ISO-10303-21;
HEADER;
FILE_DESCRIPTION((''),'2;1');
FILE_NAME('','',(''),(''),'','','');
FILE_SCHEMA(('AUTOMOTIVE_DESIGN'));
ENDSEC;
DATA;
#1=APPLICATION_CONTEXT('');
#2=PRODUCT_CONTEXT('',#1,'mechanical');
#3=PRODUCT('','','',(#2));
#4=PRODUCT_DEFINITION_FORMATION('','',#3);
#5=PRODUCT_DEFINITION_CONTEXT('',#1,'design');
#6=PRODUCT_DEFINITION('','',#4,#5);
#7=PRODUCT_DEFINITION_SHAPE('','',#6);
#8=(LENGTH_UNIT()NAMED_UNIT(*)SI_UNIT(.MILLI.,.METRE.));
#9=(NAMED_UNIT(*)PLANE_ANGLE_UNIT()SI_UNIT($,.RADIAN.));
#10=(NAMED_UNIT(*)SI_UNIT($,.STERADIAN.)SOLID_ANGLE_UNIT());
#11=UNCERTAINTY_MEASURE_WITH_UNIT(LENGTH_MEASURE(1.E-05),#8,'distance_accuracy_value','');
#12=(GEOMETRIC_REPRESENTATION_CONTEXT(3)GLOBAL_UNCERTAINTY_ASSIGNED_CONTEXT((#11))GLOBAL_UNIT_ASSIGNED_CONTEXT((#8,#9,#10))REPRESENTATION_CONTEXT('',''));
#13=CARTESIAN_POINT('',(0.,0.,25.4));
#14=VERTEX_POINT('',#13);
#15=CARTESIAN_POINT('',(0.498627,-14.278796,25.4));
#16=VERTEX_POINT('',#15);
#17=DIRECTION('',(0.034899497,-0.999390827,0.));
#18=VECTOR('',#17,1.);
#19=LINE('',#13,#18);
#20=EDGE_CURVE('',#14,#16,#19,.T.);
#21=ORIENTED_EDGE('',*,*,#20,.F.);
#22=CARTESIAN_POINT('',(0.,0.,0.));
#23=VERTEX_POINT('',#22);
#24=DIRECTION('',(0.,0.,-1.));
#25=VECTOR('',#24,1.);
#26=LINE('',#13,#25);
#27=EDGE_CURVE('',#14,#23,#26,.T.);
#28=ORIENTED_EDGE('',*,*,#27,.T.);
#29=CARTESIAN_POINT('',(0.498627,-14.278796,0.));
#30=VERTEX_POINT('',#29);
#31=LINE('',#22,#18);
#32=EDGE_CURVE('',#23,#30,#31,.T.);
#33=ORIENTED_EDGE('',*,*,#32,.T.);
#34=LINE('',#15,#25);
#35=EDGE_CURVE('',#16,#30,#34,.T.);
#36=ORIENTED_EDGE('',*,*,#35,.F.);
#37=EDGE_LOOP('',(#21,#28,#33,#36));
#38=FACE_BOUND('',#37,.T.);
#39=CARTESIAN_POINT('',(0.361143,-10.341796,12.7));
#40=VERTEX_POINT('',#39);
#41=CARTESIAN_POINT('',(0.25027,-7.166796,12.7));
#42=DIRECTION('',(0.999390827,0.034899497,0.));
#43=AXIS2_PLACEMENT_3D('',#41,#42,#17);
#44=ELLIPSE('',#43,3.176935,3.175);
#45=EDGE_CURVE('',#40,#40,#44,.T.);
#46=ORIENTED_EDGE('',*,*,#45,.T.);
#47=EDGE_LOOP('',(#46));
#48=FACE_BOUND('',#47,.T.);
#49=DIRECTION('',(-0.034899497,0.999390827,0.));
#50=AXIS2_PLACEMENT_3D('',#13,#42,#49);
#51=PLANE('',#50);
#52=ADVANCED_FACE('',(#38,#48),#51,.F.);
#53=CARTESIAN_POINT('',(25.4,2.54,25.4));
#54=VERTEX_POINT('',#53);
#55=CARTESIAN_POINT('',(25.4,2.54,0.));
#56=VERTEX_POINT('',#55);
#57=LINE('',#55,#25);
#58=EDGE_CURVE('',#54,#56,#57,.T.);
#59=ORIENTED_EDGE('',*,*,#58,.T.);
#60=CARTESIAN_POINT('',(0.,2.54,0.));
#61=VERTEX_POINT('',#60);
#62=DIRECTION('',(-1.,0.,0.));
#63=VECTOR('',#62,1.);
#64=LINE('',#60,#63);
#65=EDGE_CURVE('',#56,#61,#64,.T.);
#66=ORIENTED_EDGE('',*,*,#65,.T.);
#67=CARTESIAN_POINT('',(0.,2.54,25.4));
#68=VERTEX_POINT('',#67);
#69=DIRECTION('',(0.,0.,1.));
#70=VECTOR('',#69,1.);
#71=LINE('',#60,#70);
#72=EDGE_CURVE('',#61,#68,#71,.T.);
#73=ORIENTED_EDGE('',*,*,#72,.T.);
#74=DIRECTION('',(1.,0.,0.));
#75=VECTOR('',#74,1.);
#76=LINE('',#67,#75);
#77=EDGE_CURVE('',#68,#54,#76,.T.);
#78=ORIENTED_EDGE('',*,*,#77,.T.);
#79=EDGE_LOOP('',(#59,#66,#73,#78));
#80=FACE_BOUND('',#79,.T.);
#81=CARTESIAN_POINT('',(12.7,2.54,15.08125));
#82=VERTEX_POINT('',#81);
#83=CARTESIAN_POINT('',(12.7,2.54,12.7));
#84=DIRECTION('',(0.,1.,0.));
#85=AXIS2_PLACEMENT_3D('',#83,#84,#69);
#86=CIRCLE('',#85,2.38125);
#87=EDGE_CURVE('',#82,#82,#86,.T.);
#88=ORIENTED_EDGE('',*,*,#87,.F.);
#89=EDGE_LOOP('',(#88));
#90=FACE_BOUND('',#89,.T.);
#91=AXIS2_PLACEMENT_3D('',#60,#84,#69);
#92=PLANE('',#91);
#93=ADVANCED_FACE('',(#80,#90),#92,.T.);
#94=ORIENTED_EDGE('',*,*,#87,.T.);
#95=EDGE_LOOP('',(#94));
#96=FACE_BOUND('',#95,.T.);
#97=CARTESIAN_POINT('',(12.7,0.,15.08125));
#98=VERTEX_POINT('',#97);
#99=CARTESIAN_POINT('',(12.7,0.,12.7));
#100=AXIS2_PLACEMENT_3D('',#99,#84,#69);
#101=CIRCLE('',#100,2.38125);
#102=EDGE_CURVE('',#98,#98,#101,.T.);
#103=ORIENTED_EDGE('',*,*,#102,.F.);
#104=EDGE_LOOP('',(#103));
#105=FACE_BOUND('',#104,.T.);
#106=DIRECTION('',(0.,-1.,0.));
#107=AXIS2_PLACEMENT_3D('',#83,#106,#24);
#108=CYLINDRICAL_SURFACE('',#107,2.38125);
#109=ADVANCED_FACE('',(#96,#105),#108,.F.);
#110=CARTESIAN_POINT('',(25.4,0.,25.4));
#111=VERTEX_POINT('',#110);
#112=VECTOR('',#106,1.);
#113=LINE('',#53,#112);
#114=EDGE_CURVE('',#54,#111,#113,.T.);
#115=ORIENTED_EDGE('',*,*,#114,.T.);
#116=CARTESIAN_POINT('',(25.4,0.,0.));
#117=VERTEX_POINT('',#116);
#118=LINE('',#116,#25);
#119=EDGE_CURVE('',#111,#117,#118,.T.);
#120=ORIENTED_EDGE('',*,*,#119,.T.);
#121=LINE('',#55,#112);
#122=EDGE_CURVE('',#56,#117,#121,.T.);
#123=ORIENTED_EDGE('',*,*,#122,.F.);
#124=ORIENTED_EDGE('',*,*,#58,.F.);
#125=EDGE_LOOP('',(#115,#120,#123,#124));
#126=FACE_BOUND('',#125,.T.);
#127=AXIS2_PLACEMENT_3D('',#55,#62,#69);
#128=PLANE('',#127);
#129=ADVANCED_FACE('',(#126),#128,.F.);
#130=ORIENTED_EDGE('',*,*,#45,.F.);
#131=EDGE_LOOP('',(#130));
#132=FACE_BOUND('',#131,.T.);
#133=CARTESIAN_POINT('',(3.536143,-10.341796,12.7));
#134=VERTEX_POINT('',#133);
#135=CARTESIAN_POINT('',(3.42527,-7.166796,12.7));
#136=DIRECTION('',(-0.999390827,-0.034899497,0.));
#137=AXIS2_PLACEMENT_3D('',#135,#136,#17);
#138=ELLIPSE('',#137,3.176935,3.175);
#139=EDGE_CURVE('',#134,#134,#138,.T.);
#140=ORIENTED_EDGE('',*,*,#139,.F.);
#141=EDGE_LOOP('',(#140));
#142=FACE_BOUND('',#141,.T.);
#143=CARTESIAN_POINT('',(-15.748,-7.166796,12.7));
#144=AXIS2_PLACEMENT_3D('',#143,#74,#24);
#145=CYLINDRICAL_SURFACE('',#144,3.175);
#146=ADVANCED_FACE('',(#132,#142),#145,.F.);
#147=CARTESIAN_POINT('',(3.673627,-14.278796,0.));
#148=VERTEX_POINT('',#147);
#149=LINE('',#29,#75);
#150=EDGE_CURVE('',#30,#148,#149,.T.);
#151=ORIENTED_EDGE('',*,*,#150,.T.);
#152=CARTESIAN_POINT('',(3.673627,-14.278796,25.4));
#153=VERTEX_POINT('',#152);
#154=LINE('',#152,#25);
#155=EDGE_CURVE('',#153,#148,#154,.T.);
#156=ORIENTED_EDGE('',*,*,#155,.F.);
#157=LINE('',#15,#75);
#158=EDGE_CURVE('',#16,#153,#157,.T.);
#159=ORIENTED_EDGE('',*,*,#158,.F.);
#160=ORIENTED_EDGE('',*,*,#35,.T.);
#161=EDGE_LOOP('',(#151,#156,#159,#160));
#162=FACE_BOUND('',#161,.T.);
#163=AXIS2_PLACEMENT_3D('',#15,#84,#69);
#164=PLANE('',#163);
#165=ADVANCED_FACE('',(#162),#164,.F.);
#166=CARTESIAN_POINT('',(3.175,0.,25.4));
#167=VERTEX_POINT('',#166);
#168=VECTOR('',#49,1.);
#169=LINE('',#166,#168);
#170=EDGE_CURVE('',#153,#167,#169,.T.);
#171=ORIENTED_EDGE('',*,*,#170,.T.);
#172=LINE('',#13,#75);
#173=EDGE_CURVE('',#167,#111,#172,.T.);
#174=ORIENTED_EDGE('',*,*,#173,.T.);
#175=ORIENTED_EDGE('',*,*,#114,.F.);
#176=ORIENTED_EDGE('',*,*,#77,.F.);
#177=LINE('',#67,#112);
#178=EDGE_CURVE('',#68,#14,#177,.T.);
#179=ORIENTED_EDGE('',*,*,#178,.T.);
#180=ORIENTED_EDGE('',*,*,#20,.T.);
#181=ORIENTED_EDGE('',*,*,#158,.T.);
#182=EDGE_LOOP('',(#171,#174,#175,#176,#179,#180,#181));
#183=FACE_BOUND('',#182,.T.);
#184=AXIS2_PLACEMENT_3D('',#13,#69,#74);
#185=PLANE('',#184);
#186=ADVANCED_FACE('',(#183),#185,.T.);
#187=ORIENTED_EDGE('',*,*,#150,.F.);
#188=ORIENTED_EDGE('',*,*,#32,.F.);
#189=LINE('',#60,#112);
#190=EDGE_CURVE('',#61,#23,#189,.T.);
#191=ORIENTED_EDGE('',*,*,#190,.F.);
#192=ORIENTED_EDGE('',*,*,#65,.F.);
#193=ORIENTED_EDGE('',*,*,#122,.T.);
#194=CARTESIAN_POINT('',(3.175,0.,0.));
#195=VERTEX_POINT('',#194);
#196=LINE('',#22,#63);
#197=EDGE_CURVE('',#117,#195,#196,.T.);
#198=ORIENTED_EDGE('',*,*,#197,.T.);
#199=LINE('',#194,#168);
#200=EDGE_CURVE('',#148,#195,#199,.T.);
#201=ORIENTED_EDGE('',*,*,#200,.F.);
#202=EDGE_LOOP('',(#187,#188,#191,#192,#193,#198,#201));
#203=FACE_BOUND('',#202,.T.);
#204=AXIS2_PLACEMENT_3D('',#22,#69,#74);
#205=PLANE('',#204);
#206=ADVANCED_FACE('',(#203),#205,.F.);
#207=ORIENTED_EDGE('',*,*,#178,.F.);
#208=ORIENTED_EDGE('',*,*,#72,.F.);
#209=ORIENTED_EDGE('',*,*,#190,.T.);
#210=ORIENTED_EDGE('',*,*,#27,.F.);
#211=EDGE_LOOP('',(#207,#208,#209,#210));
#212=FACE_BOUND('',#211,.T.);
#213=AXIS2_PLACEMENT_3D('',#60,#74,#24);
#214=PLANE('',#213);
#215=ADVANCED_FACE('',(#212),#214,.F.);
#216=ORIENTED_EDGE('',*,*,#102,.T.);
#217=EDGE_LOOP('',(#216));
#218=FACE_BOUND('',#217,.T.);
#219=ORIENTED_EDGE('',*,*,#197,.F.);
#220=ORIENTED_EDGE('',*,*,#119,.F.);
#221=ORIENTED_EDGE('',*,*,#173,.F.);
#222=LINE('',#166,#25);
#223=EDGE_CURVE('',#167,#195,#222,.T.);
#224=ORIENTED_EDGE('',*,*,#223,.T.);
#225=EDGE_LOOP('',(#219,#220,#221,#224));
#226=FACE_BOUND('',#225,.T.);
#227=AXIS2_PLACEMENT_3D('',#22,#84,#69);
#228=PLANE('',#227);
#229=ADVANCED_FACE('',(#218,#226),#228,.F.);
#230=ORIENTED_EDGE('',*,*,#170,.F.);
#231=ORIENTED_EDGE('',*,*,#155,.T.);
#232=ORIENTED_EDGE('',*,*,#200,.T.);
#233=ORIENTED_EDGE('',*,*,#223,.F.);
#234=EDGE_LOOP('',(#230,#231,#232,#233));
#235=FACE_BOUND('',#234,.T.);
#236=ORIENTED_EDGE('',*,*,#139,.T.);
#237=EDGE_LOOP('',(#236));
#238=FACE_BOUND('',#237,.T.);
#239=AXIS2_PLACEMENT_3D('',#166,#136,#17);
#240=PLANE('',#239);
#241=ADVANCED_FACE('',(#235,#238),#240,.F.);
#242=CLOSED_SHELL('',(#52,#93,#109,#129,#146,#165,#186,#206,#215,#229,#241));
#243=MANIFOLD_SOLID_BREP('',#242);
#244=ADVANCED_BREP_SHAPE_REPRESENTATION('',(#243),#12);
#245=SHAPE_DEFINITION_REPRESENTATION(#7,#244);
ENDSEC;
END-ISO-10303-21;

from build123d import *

# Parameters (mm, degrees)
BOSS_EXTRUDE1_DEPTH = 25.4
SKETCH2_W           = 25.4
SKETCH2_H           = 25.4
SKETCH2_R           = 2.38125
BOSS_EXTRUDE2_DEPTH = 2.54
SKETCH3_R           = 3.175
CUT_EXTRUDE1_DEPTH  = 41.148


with BuildPart() as part:
    # Sketch1 → Boss-Extrude1 (new body)
    with BuildSketch(Plane.XY):
        Polygon((0, 0), (3.175, 0), (3.673626559, -14.278796441), (0.498626559, -14.278796441), align=None)
    extrude(amount=BOSS_EXTRUDE1_DEPTH)

    # Sketch2 → Boss-Extrude2 (add)
    with BuildSketch(Plane(origin=(0, 0, 0), x_dir=(1, 0, 0), z_dir=(0, 1, 0))):
        with Locations((12.7, -12.7)):
            Rectangle(SKETCH2_W, SKETCH2_H)
        with Locations(Location((12.7, -12.7, 0), (0, 0, 270))):
            Circle(SKETCH2_R, mode=Mode.SUBTRACT)
    extrude(amount=BOSS_EXTRUDE2_DEPTH)

    # Sketch3 → Cut-Extrude1 (cut)
    with BuildSketch(Plane(origin=(25.4, 0, 0), x_dir=(0, 0, -1), z_dir=(1, 0, 0))):
        with Locations(Location((-12.7, -7.166796441, 0), (0, 0, 270))):
            Circle(SKETCH3_R)
    extrude(amount=-CUT_EXTRUDE1_DEPTH, mode=Mode.SUBTRACT)


solid = part.part
